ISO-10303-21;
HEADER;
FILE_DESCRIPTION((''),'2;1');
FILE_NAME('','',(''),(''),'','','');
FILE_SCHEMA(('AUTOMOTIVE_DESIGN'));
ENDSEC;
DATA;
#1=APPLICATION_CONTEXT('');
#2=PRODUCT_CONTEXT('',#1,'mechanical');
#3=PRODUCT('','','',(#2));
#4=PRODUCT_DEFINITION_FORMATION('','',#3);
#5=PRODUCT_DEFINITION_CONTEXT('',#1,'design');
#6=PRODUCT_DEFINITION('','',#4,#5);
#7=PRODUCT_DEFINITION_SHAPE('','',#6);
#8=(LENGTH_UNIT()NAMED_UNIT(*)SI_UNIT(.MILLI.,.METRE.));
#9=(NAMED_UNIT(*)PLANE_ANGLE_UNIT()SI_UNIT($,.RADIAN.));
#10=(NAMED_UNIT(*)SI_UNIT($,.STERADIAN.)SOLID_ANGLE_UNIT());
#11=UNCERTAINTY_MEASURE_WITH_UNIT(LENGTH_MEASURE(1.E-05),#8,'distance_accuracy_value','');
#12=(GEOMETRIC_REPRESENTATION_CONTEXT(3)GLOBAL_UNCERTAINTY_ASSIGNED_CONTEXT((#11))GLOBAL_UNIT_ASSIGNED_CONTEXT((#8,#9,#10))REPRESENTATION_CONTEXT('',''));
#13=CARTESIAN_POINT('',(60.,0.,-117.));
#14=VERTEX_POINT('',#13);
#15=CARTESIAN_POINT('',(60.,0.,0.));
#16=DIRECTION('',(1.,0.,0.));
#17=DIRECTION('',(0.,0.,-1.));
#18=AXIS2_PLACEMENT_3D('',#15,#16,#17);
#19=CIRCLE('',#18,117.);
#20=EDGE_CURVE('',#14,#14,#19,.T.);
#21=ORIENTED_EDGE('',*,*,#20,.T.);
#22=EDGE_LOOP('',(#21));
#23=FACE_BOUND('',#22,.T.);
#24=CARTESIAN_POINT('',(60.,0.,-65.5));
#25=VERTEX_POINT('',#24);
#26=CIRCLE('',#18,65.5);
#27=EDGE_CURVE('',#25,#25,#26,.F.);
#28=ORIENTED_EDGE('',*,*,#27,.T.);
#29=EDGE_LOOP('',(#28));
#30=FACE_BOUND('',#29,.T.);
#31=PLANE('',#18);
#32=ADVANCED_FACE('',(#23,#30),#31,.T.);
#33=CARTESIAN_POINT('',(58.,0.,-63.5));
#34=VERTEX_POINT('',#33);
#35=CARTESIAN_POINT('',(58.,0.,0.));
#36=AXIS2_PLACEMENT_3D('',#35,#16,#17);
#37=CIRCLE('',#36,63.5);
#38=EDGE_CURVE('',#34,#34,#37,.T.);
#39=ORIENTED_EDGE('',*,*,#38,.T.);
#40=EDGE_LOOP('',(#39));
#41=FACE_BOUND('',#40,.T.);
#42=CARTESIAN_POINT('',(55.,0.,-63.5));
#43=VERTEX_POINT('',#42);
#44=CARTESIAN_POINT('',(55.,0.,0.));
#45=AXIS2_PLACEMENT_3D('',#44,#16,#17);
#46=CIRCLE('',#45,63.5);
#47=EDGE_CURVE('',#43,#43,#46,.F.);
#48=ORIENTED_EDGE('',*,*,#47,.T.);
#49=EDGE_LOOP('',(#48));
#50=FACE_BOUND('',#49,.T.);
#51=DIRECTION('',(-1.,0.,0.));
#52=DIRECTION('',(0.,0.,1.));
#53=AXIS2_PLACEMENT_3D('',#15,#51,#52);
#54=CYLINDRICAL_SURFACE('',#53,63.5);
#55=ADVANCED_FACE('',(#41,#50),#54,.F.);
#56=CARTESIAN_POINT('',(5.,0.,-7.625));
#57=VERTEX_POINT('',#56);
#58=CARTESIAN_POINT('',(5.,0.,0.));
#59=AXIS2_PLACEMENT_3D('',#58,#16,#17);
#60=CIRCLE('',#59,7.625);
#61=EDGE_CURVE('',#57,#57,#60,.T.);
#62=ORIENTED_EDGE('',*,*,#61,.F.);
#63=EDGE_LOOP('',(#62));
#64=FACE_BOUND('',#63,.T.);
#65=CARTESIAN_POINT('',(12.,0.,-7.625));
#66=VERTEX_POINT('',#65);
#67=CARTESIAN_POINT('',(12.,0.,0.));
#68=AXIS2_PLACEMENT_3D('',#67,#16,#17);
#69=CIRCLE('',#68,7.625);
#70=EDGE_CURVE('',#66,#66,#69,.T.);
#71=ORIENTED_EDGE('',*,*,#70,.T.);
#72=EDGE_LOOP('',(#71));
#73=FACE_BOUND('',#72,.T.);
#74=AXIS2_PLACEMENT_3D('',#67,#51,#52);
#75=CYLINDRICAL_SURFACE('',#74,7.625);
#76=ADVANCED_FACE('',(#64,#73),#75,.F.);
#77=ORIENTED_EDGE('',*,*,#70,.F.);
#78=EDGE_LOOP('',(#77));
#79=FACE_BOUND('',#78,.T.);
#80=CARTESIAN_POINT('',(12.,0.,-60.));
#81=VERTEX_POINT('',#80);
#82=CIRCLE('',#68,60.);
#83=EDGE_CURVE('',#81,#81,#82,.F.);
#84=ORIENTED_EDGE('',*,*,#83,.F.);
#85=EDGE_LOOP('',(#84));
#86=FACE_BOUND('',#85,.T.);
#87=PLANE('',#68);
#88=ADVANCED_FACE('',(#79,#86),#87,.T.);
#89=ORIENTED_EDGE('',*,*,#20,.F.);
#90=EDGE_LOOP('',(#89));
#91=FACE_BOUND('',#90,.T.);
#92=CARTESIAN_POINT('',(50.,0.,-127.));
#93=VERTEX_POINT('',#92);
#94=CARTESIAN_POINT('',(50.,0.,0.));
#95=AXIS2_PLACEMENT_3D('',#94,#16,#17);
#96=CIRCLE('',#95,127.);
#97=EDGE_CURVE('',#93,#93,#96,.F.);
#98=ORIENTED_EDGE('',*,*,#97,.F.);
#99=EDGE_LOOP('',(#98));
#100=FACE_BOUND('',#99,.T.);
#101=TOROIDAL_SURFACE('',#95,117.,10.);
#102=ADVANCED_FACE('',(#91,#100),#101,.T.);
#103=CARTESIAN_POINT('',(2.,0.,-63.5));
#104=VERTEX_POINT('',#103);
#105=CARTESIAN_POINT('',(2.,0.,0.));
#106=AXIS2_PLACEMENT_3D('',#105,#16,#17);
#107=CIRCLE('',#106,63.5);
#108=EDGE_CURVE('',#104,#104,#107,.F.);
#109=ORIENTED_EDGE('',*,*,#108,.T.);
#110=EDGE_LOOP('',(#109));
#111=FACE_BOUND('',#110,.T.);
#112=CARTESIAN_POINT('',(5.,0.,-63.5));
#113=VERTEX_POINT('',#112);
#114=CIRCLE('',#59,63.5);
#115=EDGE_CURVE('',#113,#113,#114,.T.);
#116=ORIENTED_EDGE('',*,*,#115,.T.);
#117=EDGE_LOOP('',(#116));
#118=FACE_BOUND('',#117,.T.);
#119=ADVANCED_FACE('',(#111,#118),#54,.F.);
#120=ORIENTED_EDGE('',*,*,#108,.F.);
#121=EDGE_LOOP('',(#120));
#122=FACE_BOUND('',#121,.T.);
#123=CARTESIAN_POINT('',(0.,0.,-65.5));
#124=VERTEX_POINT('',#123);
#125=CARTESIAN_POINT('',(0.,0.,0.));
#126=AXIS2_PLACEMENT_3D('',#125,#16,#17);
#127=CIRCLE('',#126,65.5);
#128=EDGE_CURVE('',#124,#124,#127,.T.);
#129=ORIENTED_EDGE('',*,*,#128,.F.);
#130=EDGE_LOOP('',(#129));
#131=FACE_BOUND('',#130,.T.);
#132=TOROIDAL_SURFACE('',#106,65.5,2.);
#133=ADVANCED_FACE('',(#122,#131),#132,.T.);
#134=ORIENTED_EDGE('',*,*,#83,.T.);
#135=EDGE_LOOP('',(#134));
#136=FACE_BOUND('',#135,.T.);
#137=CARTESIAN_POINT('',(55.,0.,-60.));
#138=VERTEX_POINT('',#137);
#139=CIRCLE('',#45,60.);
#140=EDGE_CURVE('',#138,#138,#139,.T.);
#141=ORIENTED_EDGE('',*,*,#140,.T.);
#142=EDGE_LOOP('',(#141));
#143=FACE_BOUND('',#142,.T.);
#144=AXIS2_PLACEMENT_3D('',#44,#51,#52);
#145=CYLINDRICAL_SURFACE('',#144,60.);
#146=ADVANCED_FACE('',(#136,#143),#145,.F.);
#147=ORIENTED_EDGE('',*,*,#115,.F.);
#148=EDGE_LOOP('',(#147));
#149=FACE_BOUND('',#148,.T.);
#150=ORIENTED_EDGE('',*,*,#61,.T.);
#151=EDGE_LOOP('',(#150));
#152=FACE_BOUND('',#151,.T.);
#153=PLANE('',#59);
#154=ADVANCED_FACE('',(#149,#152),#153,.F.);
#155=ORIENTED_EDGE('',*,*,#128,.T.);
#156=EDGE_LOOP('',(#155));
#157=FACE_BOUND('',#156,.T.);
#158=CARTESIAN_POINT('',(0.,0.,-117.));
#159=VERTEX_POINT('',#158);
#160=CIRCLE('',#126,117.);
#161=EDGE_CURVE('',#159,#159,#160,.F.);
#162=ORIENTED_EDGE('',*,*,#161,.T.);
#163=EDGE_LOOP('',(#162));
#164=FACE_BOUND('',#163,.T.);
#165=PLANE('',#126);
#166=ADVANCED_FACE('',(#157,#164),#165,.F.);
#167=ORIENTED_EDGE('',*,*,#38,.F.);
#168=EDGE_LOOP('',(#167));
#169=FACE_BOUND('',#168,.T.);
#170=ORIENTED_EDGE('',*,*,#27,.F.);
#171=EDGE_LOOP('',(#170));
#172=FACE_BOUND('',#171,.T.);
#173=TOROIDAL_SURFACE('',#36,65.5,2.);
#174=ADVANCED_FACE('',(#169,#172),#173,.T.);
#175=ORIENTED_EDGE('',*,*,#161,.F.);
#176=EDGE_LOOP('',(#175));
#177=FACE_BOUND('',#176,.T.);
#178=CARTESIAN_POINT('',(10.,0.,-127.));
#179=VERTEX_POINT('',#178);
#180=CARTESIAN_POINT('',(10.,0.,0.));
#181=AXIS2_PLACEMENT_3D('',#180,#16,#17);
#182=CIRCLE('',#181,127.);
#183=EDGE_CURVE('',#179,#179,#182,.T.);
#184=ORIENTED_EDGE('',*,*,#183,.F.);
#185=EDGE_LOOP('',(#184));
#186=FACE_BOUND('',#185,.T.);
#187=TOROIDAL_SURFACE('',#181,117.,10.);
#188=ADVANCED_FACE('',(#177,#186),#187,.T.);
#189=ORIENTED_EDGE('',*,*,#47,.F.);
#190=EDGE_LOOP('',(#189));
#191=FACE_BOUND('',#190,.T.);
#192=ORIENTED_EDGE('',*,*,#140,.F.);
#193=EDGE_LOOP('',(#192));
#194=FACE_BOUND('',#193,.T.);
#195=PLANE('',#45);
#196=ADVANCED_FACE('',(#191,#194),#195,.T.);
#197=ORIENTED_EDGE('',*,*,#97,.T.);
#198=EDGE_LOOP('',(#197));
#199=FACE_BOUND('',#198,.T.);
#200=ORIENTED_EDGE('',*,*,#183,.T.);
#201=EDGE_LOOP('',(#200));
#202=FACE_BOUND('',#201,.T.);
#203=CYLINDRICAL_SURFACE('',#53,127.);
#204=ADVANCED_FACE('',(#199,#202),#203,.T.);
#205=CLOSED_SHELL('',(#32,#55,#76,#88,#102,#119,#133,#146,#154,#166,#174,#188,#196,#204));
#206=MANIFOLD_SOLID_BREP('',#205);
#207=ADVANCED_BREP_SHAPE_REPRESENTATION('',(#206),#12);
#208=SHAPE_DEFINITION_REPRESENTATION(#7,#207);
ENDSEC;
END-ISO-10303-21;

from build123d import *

# Parameters (mm, degrees)
HUB_START      = 5
SKETCH1_R      = 63.5
SKETCH1_R_2    = 7.625
HUB_FACE_DEPTH = 7
SKETCH2_R      = 63.5
SKETCH2_R_2    = 60
HUB_DEPTH      = 50
SKETCH3_R      = 127
SKETCH3_R_2    = 63.5
RUBBER_DEPTH   = 60
FILLET1_R      = 10
FILLET2_R      = 2


with BuildPart() as part:
    # Sketch1 → Hub Face (new body)
    with BuildSketch(Plane(origin=(0, 0, 0), x_dir=(0, 0, -1), z_dir=(1, 0, 0)).offset(HUB_START)):
        Circle(SKETCH1_R)
        Circle(SKETCH1_R_2, mode=Mode.SUBTRACT)
    extrude(amount=HUB_FACE_DEPTH)

    # Sketch2 → Hub (add)
    with BuildSketch(Plane(origin=(0, 0, 0), x_dir=(0, 0, -1), z_dir=(1, 0, 0)).offset(HUB_START)):
        Circle(SKETCH2_R)
        Circle(SKETCH2_R_2, mode=Mode.SUBTRACT)
    extrude(amount=HUB_DEPTH)

    # Sketch3 → Rubber (add)
    with BuildSketch(Plane(origin=(0, 0, 0), x_dir=(0, 0, -1), z_dir=(1, 0, 0))):
        Circle(SKETCH3_R)
        Circle(SKETCH3_R_2, mode=Mode.SUBTRACT)
    extrude(amount=RUBBER_DEPTH)

    # Fillet1
    fillet1_edges = [part.edges().sort_by_distance(p)[0] for p in [
        (60, 0, 127),
        (0, 0, 127),
    ]]
    fillet(fillet1_edges, radius=FILLET1_R)

    # Fillet2
    fillet2_edges = [part.edges().sort_by_distance(p)[0] for p in [
        (0, 0, 63.5),
        (60, 0, 63.5),
    ]]
    fillet(fillet2_edges, radius=FILLET2_R)


solid = part.part
